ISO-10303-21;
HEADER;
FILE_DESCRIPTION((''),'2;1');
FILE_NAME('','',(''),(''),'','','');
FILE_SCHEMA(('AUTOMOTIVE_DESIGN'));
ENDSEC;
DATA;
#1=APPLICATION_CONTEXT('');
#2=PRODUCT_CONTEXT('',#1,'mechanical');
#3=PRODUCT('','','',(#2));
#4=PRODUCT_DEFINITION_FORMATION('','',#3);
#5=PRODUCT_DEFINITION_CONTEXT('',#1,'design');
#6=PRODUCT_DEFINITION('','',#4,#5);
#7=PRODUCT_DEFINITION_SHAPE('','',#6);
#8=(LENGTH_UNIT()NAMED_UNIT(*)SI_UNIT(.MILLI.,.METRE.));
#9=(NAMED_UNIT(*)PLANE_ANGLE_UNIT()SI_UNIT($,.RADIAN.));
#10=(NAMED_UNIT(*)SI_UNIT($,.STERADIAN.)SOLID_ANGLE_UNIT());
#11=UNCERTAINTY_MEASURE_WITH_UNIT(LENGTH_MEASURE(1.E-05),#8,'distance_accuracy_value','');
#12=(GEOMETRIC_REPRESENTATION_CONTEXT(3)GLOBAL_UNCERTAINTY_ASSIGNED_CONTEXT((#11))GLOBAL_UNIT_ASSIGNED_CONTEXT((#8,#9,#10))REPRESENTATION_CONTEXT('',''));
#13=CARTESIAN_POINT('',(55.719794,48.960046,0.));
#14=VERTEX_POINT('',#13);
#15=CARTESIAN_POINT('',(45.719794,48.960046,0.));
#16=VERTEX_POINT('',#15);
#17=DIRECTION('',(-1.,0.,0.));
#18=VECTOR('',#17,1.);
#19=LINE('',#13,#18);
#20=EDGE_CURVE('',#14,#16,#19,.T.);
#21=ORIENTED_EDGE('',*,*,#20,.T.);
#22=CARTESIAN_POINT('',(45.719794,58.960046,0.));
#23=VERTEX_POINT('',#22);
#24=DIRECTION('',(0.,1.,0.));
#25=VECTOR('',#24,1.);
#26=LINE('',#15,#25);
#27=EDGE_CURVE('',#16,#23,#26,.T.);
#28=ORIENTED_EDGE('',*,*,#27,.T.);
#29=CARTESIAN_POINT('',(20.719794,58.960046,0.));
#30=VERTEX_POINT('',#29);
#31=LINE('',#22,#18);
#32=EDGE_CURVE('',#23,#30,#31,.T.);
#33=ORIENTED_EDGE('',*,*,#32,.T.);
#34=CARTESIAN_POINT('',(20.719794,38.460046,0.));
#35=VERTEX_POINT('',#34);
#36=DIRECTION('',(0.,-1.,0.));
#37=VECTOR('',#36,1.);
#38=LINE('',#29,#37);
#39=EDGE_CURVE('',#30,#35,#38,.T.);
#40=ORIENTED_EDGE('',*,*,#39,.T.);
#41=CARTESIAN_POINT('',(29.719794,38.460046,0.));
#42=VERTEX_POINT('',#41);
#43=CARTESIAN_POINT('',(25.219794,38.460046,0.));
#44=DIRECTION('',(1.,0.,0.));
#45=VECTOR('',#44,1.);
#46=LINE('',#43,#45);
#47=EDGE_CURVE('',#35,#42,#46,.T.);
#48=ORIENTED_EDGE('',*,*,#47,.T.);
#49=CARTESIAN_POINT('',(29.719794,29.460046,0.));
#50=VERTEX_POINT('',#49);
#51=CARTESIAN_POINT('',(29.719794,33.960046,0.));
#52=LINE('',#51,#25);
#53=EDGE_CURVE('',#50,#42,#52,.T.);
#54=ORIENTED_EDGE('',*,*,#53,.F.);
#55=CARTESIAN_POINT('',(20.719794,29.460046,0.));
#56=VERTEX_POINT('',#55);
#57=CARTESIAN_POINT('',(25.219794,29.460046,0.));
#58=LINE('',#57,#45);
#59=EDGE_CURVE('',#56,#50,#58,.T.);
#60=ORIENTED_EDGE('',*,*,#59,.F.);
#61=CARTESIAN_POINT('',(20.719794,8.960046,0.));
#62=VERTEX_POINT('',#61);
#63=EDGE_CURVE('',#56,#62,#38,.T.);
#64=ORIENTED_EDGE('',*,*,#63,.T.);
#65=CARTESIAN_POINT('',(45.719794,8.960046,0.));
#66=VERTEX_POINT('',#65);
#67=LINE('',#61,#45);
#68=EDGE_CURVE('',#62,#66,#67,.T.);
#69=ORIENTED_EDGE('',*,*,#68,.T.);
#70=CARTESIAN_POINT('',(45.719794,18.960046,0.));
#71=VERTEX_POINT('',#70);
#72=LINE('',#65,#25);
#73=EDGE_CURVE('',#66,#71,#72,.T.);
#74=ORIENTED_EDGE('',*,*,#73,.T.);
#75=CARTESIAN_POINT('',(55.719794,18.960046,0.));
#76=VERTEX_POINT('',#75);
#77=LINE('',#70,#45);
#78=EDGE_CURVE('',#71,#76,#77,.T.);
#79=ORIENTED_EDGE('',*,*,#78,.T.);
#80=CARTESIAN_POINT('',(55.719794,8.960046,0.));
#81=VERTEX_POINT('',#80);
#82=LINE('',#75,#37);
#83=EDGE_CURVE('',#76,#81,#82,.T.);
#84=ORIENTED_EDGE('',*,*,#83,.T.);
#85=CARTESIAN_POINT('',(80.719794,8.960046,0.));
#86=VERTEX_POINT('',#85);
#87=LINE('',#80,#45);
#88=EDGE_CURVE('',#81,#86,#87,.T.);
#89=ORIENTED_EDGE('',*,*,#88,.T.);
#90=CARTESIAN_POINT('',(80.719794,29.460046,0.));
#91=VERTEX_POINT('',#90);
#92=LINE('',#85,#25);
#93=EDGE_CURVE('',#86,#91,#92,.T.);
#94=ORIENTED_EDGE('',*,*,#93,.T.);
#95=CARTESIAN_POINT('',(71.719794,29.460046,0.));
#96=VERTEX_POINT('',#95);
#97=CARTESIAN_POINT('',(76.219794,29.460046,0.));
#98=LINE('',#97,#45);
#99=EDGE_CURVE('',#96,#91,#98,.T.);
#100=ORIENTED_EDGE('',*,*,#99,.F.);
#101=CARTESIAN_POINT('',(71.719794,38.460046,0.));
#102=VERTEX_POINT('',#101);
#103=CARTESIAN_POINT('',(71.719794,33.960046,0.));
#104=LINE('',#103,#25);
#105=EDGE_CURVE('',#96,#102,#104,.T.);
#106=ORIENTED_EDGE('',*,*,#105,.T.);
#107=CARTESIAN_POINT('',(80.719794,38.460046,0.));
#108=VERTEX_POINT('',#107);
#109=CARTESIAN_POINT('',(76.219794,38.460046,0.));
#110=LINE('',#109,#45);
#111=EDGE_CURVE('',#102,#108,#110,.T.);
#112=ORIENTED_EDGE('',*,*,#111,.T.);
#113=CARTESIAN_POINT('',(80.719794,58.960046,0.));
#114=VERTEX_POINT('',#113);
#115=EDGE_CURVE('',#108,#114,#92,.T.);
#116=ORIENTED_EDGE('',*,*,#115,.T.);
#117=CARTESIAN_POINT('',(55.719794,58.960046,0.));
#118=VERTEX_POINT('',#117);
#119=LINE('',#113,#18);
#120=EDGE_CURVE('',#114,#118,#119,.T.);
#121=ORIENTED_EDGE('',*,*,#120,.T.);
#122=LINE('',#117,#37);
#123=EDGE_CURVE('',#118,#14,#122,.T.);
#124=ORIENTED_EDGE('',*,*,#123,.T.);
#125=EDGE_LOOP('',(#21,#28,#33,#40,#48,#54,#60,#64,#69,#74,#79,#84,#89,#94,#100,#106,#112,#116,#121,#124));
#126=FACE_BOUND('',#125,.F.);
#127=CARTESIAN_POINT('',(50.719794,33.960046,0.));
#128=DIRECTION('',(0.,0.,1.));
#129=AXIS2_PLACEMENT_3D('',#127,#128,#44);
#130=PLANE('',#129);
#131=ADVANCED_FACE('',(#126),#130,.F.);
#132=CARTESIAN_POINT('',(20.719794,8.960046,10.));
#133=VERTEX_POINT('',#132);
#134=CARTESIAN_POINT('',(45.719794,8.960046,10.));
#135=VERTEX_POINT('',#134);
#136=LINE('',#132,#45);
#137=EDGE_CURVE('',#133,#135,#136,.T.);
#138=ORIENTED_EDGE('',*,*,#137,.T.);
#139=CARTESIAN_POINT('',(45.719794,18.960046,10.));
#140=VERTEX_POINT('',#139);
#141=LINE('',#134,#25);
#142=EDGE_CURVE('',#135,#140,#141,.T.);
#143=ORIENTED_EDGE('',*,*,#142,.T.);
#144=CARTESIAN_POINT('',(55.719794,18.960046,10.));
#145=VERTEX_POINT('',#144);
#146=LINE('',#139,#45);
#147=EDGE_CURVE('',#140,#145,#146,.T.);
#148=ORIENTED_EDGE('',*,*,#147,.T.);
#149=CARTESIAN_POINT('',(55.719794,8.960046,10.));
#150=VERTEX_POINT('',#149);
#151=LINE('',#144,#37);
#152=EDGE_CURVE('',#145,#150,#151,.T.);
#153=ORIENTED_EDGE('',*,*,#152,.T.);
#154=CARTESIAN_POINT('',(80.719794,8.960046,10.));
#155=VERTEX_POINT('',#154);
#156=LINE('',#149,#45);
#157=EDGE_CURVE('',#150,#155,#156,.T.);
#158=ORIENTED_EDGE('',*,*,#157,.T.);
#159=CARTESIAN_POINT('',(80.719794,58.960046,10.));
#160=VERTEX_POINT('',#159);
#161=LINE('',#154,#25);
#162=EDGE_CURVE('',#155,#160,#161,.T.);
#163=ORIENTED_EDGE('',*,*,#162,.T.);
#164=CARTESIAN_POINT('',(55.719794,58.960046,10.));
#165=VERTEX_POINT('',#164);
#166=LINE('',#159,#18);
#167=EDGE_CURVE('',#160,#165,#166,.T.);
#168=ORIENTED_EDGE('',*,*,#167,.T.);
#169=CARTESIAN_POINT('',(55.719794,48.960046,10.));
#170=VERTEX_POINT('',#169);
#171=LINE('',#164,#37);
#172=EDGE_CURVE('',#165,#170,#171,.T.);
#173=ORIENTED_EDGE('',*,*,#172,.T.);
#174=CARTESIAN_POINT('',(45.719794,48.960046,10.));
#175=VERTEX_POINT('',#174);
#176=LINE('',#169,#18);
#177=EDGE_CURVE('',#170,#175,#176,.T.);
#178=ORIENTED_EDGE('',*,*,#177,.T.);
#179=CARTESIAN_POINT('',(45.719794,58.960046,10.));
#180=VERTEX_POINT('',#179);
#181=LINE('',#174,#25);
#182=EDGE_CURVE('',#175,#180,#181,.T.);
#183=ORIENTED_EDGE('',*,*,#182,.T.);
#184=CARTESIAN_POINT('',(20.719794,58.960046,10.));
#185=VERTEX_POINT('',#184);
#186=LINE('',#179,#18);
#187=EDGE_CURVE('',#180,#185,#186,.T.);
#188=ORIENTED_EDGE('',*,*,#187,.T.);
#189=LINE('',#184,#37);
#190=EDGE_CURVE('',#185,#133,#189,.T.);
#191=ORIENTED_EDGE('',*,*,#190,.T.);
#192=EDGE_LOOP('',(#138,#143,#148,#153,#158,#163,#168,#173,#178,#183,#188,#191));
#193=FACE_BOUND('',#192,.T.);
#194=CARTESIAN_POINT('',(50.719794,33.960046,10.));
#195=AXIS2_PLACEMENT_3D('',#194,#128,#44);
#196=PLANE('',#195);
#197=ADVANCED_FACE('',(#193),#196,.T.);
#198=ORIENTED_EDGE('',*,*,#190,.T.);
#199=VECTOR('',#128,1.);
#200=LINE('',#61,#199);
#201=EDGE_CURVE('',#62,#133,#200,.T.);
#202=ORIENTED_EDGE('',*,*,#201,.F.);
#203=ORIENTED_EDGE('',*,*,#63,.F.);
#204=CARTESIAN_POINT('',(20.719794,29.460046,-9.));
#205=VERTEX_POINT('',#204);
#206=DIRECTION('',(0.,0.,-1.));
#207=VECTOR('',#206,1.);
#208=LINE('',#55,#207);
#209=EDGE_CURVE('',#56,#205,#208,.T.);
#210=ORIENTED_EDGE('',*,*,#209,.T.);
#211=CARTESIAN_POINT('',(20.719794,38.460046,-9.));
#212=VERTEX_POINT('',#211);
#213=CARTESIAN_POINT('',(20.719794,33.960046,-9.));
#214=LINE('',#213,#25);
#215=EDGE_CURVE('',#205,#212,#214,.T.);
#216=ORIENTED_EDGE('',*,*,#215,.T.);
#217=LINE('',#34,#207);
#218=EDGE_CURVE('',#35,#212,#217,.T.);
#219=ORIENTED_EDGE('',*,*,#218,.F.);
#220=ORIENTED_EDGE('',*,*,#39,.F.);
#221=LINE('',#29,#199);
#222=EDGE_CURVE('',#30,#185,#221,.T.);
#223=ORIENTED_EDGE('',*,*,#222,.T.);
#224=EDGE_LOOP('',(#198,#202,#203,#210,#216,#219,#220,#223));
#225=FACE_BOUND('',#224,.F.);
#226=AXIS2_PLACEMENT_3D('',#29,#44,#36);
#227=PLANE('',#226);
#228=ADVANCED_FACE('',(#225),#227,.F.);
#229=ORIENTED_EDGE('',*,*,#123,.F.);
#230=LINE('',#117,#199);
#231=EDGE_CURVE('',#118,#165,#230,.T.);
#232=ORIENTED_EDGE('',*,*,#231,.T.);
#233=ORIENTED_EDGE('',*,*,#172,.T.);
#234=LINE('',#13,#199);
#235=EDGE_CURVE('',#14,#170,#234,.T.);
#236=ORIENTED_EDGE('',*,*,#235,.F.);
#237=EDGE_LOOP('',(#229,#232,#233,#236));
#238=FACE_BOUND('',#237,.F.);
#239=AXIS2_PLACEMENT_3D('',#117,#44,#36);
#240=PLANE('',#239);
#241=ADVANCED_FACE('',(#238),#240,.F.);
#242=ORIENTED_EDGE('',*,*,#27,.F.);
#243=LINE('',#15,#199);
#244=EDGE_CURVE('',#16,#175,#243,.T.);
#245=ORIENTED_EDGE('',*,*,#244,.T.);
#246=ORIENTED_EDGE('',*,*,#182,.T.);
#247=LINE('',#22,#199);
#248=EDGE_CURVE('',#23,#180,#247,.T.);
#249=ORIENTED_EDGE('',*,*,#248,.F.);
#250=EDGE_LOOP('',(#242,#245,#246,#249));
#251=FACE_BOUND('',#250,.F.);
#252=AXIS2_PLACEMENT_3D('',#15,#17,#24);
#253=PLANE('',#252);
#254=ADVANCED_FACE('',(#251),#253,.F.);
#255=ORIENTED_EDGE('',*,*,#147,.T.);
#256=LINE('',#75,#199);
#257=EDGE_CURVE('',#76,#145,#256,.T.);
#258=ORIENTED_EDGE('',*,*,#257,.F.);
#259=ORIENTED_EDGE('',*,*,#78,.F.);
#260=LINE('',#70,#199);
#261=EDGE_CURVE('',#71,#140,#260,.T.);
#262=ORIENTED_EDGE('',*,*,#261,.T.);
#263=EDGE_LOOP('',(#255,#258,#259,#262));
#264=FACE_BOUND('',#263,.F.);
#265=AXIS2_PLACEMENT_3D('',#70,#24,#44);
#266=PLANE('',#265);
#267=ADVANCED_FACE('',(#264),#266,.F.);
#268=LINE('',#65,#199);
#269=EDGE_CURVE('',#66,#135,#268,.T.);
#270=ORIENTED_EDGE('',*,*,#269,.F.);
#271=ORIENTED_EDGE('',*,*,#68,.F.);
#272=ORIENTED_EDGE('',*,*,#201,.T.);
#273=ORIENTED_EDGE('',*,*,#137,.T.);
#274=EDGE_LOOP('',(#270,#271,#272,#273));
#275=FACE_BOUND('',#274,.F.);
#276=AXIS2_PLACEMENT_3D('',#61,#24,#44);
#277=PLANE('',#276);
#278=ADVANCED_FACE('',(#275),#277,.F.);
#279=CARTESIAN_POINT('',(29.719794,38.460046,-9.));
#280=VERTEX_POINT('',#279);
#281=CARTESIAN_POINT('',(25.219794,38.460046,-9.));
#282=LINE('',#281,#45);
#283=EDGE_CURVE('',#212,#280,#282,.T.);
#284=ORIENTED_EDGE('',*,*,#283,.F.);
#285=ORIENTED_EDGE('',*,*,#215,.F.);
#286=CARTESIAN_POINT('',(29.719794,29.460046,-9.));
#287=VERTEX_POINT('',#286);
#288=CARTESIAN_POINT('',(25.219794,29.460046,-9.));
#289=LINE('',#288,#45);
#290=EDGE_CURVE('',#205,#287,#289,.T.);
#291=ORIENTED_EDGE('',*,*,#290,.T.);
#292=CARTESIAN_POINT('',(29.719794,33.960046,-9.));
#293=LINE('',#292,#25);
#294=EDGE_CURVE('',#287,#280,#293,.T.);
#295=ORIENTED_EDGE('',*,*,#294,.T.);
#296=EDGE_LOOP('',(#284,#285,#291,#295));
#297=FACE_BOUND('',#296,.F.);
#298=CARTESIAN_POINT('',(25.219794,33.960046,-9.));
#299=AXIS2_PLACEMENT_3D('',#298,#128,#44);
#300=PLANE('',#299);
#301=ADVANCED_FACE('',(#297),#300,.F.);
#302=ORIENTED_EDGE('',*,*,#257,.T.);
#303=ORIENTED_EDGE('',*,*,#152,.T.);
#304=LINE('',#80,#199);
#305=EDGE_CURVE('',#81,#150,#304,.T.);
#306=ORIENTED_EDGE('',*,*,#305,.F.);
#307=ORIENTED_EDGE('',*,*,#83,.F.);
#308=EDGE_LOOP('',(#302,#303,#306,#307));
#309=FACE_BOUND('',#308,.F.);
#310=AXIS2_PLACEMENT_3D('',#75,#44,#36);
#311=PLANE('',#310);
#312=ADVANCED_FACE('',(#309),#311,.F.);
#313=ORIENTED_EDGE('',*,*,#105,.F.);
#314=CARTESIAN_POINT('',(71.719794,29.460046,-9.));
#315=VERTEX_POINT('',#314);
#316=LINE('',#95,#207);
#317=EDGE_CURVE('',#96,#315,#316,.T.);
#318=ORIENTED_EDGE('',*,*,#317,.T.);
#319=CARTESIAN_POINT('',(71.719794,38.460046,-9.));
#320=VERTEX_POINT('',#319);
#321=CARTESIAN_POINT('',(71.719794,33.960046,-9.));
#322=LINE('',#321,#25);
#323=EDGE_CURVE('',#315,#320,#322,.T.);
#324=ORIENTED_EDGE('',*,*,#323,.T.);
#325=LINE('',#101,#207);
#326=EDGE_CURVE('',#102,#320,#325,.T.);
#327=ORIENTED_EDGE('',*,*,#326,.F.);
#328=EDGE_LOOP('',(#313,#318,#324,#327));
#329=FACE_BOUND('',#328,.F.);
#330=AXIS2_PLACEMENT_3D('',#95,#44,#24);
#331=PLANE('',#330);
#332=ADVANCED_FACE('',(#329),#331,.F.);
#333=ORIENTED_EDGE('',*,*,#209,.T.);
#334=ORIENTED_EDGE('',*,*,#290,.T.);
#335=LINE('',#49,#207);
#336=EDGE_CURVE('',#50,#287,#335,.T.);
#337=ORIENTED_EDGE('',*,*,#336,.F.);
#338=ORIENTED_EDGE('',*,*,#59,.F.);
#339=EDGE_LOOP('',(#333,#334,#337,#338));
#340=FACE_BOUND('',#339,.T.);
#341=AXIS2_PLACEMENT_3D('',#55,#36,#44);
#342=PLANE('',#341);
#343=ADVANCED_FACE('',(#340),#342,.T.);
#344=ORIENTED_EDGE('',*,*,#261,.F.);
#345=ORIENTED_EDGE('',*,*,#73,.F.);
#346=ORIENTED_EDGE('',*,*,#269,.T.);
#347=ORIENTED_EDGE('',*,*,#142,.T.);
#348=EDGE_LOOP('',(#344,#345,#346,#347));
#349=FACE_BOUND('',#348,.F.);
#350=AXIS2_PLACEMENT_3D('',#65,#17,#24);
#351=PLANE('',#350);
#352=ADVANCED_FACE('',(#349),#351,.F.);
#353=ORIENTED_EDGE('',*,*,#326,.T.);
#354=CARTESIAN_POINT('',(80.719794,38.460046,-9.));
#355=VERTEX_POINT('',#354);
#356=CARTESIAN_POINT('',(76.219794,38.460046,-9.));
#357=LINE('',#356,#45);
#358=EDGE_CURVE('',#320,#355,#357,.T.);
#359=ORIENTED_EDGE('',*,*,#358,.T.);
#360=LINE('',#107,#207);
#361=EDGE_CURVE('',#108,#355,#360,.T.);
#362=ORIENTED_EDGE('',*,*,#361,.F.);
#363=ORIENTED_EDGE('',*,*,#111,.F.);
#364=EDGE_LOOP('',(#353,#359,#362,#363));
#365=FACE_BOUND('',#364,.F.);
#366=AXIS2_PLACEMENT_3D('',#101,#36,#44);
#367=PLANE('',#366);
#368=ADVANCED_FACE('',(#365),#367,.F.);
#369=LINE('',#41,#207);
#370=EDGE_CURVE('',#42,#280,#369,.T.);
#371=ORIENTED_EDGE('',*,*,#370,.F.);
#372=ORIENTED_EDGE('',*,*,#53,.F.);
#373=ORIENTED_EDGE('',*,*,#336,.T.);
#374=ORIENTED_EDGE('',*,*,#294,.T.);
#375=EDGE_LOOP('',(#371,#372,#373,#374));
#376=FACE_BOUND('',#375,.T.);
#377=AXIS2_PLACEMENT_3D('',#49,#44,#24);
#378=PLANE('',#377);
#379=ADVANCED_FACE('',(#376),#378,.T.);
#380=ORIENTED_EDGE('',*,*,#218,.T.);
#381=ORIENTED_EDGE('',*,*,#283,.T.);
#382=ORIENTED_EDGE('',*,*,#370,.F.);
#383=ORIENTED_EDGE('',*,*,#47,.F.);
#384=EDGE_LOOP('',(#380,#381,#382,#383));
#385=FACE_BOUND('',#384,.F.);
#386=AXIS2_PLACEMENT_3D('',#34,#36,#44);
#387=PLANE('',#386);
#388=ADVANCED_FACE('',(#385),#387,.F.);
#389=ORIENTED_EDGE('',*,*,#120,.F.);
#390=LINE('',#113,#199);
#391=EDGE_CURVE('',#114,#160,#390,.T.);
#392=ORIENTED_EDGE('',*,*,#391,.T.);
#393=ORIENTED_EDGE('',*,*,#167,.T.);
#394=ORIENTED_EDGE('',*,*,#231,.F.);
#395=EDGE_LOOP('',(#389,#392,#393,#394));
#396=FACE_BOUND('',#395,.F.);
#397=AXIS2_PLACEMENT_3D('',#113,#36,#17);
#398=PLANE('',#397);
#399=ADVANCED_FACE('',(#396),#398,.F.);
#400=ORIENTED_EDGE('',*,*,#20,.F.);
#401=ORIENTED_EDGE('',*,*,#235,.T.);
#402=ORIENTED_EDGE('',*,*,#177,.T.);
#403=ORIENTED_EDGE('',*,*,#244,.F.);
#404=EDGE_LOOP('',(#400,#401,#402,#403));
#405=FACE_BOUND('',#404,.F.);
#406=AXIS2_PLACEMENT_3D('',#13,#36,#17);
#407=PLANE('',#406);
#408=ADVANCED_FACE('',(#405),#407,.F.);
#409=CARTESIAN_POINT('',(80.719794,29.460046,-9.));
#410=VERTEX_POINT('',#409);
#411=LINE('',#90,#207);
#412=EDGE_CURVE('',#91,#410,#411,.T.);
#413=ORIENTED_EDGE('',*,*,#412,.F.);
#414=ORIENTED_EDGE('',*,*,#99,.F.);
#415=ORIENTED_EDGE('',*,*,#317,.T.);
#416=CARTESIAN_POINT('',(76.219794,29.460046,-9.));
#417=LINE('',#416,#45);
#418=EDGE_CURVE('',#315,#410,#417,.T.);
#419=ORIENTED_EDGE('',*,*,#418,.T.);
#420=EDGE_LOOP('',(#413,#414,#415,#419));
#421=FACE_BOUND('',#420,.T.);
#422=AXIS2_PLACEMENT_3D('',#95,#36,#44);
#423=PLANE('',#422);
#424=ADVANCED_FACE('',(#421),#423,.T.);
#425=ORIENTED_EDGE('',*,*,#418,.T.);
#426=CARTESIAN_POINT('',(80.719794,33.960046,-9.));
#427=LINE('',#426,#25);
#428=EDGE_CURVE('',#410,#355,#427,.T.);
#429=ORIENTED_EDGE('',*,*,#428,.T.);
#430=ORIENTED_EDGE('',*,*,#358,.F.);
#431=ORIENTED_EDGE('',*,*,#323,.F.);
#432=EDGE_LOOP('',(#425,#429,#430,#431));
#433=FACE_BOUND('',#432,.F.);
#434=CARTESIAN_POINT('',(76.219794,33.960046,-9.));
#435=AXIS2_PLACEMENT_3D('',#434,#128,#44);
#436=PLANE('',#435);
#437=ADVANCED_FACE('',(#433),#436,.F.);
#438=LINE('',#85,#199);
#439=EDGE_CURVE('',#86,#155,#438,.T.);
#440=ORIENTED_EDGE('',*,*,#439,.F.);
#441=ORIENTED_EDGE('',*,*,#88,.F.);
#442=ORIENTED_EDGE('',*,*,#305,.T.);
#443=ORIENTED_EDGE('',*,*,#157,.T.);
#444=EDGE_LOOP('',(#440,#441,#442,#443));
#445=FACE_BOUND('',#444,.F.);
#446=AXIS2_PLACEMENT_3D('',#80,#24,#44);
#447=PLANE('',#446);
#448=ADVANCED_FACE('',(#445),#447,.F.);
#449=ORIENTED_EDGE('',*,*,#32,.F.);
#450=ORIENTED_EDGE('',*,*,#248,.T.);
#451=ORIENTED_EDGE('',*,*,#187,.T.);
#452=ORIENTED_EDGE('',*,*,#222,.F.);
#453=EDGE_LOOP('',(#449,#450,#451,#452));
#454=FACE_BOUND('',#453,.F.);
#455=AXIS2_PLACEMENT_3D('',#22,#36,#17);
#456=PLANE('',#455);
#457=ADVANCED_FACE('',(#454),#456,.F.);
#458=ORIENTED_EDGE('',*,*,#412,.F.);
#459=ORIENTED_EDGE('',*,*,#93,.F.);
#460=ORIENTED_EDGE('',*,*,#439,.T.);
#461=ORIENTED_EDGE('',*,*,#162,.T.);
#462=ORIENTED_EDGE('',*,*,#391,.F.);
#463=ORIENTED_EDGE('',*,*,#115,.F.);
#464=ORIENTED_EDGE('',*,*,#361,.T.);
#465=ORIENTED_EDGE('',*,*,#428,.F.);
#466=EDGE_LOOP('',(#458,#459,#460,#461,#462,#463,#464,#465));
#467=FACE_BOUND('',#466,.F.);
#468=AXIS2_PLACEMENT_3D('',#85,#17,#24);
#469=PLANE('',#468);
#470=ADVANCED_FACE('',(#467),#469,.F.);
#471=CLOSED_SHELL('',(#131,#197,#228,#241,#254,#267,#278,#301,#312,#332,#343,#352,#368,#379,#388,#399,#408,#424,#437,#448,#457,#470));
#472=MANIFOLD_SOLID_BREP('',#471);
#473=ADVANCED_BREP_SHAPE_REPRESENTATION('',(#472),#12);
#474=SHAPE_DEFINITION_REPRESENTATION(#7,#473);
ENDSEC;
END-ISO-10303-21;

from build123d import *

# Parameters (mm, degrees)
F1_DEPTH = 10
F2_W     = 9
F2_H     = 9
F3_DEPTH = 9


with BuildPart() as f1:
    # F0 (on Top) → F1 (new body)
    with BuildSketch(Plane.XY):
        Polygon((80.719794, 8.960046), (80.719794, 58.960046), (55.719794, 58.960046), (55.719794, 48.960046), (45.719794, 48.960046), (45.719794, 58.960046), (20.719794, 58.960046), (20.719794, 8.960046), (45.719794, 8.960046), (45.719794, 18.960046), (55.719794, 18.960046), (55.719794, 8.960046), align=None)
    extrude(amount=F1_DEPTH)

    # F2 (on face) → F3 (join)
    with BuildSketch(Plane.XY):
        with Locations((25.219794, 33.960046)):
            Rectangle(F2_W, F2_H)
        with Locations((76.219794, 33.960046)):
            Rectangle(F2_W, F2_H)
    extrude(amount=-F3_DEPTH)


solid = f1.part
